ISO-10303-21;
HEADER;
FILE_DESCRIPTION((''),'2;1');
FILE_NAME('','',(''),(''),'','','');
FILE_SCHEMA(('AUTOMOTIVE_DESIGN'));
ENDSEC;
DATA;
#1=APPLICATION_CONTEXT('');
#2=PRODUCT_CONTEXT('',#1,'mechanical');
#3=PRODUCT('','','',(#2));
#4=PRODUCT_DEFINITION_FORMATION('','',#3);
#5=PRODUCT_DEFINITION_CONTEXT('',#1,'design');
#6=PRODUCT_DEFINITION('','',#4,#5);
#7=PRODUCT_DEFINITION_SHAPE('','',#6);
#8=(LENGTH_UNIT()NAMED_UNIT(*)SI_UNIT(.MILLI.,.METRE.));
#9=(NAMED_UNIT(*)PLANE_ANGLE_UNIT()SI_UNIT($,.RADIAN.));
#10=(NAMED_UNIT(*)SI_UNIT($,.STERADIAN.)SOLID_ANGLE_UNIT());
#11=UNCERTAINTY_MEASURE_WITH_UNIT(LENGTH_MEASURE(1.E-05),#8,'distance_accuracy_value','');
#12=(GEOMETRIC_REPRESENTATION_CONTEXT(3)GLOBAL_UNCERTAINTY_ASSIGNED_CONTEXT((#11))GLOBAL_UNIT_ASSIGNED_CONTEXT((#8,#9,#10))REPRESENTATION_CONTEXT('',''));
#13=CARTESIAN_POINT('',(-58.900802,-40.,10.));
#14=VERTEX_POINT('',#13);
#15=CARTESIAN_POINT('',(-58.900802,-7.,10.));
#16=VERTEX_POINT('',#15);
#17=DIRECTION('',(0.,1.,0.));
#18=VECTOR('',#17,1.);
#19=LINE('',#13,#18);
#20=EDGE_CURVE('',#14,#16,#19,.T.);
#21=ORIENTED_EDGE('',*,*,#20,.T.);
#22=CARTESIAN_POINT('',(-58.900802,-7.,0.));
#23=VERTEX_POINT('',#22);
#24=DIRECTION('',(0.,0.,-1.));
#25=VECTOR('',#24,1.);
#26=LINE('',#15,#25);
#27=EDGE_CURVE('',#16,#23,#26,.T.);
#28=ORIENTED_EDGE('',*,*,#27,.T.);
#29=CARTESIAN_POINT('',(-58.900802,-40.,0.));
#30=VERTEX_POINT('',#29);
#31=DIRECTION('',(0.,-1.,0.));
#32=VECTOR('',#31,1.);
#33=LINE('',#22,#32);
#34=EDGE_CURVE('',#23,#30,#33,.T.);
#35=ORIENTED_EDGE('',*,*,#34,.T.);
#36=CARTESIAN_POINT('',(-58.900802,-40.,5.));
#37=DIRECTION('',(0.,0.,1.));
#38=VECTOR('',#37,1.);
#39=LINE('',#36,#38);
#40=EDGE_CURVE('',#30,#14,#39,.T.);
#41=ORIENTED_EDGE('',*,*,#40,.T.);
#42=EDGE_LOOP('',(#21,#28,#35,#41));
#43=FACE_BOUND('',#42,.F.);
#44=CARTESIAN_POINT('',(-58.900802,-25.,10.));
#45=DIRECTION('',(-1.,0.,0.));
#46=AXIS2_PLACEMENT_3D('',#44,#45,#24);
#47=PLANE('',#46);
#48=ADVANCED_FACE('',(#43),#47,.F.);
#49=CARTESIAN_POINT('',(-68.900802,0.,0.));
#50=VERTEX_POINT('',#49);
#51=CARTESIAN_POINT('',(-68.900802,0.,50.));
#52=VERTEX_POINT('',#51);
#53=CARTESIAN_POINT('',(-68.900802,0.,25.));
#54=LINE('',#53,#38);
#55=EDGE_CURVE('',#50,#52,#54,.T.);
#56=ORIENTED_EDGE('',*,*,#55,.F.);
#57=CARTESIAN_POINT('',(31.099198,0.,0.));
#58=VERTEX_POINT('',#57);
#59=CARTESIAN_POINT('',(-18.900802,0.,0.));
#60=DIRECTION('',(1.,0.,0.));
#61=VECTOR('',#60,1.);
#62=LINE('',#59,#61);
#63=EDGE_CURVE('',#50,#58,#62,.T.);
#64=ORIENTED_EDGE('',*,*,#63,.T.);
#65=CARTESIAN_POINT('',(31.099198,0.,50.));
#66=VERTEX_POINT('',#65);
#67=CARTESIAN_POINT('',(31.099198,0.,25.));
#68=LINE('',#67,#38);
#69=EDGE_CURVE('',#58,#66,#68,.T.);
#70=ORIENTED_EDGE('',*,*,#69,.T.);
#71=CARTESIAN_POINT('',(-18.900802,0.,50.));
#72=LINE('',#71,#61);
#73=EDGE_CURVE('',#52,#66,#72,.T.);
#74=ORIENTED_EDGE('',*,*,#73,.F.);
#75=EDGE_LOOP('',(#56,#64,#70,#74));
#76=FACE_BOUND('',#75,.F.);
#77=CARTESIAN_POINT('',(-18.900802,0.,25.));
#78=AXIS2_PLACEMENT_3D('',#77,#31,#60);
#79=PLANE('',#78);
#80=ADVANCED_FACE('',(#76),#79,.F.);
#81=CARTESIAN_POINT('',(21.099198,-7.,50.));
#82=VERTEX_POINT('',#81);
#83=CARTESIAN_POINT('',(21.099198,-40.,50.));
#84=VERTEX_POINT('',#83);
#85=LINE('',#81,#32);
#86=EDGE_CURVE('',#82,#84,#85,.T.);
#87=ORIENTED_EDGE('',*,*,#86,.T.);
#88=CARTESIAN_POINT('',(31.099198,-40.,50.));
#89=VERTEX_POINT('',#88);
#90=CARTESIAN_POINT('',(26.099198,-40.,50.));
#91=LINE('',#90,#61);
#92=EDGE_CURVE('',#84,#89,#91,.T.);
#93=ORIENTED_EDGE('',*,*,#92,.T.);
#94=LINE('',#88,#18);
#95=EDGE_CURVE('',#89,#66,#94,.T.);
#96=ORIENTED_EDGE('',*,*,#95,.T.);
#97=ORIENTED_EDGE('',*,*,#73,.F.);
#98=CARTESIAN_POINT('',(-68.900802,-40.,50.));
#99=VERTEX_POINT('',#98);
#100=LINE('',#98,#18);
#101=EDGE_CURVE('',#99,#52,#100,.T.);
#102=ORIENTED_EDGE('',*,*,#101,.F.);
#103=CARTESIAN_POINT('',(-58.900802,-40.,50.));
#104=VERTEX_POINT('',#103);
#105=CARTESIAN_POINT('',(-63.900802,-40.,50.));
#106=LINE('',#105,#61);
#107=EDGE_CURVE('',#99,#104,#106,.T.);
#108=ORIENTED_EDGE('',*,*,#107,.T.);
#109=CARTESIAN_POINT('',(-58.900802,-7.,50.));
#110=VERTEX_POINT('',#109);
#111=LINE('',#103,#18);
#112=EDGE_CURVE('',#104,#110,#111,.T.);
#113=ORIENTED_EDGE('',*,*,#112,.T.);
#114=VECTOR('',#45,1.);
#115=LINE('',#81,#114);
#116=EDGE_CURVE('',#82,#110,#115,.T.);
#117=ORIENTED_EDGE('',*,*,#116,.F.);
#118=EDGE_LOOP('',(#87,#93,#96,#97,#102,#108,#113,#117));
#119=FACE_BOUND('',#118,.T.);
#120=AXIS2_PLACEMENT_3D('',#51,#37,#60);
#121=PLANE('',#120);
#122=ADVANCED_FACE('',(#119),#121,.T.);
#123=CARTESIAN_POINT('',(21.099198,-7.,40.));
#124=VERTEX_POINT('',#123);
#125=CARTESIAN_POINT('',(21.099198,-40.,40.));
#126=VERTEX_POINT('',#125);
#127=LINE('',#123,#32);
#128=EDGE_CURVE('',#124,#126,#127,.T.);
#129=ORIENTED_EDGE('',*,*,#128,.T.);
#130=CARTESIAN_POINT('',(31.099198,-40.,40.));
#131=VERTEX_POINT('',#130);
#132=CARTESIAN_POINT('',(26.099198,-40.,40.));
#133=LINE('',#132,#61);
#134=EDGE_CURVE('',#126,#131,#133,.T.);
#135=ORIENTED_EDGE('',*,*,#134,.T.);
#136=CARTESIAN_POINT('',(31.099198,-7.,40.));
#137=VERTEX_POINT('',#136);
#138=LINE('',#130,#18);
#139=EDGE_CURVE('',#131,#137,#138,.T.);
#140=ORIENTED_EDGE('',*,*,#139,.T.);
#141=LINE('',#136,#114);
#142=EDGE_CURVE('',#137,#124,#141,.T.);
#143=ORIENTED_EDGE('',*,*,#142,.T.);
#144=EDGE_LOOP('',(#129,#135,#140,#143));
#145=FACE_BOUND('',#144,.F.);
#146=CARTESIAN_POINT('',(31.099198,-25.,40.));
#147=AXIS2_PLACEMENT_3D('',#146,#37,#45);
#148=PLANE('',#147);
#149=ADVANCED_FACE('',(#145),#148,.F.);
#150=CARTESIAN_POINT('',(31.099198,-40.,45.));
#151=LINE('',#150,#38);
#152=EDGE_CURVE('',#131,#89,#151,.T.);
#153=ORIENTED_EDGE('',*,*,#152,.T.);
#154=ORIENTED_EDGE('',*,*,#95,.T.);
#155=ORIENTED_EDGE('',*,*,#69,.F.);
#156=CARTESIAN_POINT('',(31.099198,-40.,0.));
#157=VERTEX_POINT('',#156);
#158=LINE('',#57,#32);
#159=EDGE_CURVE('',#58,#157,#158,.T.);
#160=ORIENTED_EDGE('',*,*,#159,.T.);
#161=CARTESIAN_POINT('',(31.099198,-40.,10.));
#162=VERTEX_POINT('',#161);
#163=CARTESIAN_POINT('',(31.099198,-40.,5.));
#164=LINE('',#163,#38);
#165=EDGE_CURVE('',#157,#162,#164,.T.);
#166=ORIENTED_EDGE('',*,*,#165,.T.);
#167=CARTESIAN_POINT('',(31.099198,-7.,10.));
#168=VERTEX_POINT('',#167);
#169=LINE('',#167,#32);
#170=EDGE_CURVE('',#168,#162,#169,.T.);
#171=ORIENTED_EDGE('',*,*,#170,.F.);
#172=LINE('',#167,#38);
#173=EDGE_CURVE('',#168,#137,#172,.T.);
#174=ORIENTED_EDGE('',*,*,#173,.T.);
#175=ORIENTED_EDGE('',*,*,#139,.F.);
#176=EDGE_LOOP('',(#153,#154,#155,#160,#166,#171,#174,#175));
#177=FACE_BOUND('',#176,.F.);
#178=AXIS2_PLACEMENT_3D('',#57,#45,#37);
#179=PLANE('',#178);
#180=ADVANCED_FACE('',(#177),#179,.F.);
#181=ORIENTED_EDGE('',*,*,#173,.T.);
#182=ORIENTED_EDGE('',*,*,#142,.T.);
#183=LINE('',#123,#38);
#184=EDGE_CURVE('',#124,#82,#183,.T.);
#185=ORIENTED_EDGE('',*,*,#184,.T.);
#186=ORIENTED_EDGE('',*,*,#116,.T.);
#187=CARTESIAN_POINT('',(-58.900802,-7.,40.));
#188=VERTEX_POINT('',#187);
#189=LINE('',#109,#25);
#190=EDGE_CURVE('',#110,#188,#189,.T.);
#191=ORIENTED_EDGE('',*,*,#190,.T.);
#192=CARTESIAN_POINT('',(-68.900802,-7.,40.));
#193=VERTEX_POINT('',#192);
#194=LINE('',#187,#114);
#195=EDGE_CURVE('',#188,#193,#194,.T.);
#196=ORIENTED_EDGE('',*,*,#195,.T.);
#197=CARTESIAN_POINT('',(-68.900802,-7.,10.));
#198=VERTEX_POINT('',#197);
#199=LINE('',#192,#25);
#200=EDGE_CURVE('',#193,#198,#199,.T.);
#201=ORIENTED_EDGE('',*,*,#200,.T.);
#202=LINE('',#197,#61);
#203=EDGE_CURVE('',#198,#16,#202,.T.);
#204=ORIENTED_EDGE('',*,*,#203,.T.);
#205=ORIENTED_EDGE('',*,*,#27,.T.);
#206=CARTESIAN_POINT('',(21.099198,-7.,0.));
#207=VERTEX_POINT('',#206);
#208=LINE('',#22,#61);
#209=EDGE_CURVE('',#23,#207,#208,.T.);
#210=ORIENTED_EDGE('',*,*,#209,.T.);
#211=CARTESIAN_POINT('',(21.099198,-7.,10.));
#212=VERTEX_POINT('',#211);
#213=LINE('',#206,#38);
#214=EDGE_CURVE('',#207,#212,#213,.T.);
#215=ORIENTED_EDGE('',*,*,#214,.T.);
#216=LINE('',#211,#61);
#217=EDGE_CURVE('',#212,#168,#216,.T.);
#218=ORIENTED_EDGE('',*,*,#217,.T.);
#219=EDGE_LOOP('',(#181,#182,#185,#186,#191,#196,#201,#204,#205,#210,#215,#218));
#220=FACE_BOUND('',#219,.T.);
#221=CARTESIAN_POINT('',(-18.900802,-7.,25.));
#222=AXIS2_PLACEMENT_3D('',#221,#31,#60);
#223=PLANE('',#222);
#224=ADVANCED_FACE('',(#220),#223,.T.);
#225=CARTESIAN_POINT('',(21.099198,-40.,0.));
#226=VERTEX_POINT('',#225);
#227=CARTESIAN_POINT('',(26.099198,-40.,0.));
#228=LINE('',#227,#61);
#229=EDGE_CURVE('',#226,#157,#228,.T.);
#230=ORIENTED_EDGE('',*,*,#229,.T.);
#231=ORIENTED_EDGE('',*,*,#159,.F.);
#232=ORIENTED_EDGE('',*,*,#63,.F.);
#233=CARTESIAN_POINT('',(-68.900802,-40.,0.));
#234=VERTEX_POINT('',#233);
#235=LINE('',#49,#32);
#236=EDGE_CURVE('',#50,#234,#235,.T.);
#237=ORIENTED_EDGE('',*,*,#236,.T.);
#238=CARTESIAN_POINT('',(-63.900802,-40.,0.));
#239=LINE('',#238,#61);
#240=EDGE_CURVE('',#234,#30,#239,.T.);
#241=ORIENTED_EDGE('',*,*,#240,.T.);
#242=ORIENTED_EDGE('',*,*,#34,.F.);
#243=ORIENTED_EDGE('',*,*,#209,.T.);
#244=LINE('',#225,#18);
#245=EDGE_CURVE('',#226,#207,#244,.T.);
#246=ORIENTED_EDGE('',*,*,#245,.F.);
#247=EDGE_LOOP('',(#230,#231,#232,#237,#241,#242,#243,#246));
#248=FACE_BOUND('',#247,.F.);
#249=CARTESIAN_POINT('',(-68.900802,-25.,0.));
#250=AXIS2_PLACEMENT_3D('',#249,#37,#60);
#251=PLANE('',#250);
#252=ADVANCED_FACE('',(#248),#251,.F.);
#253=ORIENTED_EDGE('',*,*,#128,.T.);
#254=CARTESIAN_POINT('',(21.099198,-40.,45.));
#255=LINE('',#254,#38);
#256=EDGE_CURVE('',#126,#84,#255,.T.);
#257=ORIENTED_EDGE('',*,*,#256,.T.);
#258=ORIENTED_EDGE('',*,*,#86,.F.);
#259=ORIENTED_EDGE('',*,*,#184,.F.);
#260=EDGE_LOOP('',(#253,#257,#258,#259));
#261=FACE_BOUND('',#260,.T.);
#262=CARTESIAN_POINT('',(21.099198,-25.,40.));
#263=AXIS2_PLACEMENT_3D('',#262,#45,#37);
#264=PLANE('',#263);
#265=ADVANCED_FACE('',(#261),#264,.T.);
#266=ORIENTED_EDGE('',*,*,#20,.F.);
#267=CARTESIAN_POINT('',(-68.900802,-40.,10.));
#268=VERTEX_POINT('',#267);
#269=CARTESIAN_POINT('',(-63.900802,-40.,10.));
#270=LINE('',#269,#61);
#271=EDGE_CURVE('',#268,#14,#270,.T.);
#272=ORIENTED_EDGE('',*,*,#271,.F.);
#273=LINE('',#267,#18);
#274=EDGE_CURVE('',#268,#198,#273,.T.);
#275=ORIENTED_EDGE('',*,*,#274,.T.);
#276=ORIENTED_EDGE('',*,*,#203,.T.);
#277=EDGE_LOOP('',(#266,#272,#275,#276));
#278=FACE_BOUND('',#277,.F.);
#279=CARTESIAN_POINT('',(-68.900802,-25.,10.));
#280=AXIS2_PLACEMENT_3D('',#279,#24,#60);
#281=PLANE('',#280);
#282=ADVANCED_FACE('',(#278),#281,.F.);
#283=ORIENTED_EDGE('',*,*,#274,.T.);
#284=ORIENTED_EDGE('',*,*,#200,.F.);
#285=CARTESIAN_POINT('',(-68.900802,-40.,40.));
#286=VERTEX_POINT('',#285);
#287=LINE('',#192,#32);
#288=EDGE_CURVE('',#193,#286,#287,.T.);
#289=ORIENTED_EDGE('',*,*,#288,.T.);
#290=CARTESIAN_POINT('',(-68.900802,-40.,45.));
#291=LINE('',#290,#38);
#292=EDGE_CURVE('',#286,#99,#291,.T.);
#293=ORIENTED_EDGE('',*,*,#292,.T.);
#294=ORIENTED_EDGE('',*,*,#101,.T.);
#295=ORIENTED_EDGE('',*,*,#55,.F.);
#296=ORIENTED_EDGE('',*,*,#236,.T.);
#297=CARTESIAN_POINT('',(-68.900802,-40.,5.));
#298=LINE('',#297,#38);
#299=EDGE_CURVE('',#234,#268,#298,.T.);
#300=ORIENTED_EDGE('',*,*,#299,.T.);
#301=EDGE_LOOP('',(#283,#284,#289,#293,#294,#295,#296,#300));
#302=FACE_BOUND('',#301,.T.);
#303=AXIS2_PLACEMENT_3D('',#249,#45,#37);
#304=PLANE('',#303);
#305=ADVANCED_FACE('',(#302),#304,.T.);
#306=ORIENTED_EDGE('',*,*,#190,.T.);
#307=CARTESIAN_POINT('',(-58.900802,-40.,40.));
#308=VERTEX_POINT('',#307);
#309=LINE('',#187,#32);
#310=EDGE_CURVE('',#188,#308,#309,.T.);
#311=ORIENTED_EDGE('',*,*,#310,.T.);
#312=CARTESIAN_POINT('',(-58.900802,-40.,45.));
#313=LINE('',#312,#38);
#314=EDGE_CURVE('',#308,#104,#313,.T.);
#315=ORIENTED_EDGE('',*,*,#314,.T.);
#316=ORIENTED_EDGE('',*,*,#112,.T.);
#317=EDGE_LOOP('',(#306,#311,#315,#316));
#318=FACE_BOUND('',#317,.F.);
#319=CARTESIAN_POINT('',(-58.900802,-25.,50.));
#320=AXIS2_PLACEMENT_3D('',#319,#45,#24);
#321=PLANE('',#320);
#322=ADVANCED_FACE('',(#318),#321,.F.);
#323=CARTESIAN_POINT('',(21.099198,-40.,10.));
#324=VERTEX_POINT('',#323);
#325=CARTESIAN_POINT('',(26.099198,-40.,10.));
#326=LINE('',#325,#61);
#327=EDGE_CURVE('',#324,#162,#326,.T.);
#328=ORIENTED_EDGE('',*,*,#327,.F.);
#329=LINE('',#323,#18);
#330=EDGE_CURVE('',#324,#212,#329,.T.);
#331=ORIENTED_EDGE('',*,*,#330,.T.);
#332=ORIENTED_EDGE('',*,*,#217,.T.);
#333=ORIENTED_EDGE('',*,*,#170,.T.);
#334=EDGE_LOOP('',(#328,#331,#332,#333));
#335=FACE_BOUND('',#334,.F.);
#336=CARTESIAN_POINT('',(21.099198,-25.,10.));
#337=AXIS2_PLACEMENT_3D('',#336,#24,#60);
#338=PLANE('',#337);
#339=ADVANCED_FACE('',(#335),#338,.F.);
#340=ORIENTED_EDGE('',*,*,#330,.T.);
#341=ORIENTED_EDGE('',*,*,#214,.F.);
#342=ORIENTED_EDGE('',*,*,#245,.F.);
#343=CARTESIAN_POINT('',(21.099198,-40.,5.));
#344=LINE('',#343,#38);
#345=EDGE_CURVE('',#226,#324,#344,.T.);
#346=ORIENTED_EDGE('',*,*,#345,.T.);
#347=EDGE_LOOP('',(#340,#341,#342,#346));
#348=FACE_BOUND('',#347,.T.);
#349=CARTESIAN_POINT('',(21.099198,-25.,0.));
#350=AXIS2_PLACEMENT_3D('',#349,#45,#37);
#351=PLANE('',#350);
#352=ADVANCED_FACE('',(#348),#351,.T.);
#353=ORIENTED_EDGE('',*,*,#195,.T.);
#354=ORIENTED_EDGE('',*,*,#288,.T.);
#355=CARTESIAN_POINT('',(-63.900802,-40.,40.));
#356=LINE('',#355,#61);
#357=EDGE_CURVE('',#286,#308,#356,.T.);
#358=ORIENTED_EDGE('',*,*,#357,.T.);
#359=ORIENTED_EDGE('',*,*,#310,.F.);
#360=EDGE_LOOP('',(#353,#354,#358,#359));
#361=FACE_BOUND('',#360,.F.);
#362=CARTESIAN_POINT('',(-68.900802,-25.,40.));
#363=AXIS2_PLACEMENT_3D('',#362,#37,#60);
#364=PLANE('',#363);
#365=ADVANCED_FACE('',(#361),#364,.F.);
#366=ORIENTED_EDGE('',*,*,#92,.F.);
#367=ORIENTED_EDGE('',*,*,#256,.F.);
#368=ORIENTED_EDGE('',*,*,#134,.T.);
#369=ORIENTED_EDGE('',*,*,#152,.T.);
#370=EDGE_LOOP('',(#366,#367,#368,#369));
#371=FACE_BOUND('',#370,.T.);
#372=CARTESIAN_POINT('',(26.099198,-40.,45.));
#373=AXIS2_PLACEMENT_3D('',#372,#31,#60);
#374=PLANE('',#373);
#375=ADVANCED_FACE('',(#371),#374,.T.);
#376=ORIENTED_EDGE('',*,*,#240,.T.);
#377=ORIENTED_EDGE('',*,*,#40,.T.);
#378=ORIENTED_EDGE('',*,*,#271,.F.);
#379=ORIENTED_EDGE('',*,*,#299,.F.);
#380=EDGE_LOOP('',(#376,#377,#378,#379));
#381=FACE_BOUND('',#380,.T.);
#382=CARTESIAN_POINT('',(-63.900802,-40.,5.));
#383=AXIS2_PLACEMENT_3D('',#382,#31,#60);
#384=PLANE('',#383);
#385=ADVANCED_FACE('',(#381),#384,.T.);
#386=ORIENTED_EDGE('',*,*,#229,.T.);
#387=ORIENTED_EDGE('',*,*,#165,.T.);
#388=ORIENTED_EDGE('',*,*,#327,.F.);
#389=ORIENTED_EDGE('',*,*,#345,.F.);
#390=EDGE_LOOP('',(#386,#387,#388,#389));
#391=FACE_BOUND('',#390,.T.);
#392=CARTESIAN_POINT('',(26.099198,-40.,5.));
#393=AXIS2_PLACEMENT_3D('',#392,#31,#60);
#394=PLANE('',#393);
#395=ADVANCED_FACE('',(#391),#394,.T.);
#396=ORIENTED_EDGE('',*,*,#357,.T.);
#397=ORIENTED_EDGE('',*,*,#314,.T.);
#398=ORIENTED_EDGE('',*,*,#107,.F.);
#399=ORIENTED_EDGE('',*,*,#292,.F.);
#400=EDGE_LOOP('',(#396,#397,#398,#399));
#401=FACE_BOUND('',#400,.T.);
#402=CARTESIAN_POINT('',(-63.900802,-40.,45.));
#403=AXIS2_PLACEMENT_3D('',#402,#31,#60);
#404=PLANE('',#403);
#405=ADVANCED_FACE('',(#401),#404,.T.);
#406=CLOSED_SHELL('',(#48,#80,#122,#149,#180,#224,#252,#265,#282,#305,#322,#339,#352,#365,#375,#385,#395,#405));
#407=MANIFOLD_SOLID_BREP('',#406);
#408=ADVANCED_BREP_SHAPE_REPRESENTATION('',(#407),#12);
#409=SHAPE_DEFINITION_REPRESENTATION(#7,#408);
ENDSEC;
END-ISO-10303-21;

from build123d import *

# Parameters (mm, degrees)
F0_W     = 100
F0_H     = 50
F1_DEPTH = 25
F2_W     = 10
F2_H     = 10
F3_DEPTH = 15
F4_DEPTH = 18


with BuildPart() as f1:
    # F0 (on Front) → F1 (new body)
    with BuildSketch(Plane.XZ):
        with Locations((-18.900802, 25)):
            Rectangle(F0_W, F0_H)
    extrude(amount=F1_DEPTH)

    # F2 (on face) → F3 (join)
    with BuildSketch(Plane.XZ.offset(25)):
        with Locations((-63.900802, 5)):
            Rectangle(F2_W, F2_H)
        with Locations((-63.900802, 45)):
            Rectangle(F2_W, F2_H)
        with Locations((26.099198, 45)):
            Rectangle(F2_W, F2_H)
        with Locations((26.099198, 5)):
            Rectangle(F2_W, F2_H)
    extrude(amount=F3_DEPTH)

    # F1_face (on face) → F4 (cut)
    with BuildSketch(Plane(origin=(-18.900802, -25, 25), x_dir=(1, 0, 0), z_dir=(0, -1, 0))):
        Polygon((40, 15), (40, 25), (-40, 25), (-40, 15), (-50, 15), (-50, -15), (-40, -15), (-40, -25), (40, -25), (40, -15), (50, -15), (50, 15), align=None)
    extrude(amount=-F4_DEPTH, mode=Mode.SUBTRACT)


solid = f1.part
